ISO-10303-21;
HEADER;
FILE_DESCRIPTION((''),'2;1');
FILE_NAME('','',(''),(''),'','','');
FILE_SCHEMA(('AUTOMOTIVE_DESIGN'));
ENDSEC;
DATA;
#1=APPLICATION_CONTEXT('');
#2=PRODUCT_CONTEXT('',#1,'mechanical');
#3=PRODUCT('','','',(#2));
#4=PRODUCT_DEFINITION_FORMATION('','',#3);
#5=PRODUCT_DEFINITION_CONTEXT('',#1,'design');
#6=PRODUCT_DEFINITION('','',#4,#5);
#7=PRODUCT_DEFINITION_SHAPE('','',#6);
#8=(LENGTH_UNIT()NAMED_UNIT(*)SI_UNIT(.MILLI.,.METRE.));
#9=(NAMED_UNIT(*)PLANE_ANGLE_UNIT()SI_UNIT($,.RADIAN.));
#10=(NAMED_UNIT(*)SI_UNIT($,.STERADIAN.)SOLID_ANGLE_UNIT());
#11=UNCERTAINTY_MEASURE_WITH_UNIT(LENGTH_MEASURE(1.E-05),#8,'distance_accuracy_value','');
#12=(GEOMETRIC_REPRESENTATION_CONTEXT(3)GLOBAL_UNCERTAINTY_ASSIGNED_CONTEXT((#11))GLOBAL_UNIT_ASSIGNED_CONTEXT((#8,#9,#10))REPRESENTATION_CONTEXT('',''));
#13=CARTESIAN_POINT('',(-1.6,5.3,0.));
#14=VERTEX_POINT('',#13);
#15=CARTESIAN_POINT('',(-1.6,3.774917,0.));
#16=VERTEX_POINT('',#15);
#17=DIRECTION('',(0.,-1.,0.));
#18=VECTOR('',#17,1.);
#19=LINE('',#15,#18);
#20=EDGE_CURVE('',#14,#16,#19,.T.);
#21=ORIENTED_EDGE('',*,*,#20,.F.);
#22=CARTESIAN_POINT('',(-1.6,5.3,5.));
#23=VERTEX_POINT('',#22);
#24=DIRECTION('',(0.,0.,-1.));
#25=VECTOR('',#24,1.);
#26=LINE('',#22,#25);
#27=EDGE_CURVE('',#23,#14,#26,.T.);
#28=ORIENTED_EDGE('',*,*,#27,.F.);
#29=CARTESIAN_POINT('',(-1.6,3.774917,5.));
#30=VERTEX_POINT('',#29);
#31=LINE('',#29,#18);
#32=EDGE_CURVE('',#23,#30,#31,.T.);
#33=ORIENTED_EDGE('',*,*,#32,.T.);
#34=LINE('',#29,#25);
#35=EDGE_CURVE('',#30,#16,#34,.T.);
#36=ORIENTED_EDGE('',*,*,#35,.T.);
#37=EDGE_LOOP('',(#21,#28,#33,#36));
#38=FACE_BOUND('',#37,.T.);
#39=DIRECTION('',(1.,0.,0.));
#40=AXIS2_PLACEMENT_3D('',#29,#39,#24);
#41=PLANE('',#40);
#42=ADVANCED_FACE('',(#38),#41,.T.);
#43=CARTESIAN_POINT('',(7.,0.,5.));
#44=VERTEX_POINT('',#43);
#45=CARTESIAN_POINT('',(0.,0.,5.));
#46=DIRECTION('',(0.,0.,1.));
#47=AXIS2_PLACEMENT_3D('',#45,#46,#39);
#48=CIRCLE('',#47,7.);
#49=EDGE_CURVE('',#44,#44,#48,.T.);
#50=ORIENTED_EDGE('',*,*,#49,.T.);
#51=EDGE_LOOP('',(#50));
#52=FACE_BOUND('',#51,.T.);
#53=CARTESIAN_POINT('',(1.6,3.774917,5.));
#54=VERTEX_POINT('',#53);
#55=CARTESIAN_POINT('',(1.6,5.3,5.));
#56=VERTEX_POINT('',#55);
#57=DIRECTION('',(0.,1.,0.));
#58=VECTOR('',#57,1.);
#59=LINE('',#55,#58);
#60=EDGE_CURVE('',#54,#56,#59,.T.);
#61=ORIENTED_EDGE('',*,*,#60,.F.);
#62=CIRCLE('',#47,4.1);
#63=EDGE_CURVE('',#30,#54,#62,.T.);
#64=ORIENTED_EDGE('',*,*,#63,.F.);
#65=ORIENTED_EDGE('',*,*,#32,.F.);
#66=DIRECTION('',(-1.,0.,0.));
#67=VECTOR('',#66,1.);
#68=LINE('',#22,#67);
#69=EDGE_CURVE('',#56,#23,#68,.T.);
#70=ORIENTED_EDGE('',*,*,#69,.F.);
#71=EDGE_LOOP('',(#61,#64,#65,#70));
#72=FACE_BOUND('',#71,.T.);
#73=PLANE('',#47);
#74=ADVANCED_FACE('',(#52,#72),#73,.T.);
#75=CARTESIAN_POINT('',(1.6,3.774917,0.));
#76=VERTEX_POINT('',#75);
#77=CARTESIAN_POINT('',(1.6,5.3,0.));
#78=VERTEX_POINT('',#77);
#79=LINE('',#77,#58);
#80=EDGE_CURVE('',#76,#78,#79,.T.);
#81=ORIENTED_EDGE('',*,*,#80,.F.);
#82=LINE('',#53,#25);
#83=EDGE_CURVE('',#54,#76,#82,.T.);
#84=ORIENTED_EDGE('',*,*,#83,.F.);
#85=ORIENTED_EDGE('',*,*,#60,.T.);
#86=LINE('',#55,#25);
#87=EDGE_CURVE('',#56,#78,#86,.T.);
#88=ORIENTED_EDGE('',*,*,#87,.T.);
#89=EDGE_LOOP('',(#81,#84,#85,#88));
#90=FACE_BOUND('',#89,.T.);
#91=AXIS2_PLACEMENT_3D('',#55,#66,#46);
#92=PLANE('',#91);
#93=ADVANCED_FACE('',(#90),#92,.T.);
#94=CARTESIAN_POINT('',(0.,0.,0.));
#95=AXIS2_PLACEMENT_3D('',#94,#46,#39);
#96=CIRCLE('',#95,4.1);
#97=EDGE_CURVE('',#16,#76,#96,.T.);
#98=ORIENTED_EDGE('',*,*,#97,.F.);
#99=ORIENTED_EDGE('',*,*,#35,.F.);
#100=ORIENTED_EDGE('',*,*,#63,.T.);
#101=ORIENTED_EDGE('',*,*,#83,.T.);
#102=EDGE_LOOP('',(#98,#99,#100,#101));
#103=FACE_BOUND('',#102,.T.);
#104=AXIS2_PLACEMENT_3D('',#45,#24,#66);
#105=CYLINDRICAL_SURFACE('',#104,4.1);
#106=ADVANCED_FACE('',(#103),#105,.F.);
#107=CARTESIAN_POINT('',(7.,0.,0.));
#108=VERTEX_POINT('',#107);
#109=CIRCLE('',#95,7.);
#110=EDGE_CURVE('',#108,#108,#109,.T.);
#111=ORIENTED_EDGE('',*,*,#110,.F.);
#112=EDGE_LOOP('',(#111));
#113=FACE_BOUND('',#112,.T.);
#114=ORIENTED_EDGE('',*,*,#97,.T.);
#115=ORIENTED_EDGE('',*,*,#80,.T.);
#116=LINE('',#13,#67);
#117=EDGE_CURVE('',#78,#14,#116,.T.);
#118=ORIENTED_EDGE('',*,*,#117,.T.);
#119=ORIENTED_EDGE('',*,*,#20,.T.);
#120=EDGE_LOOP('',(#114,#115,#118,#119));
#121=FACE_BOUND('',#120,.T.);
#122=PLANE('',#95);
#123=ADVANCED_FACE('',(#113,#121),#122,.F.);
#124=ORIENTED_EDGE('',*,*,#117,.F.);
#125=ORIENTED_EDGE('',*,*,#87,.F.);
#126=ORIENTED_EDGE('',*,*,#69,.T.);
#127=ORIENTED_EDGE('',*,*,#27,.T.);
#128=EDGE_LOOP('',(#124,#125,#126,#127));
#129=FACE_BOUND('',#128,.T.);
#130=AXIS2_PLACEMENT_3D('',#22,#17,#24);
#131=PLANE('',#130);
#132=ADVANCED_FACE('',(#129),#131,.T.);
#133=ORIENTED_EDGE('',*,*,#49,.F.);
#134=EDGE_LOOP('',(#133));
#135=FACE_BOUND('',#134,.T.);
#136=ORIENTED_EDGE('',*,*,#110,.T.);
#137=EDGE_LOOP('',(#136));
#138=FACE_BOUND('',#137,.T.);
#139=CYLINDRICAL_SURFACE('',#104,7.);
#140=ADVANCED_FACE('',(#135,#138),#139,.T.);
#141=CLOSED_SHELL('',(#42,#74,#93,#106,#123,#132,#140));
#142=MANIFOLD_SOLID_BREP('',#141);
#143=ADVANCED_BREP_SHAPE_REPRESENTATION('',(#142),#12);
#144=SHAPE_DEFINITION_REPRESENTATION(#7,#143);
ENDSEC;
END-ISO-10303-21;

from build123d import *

# Parameters (mm, degrees)
SKETCH1_R           = 7
BOSS_EXTRUDE1_DEPTH = 5


with BuildPart() as part:
    # Sketch1 → Boss-Extrude1 (new body)
    with BuildSketch(Plane.XY):
        Circle(SKETCH1_R)
        with BuildLine():
            Line((-1.6, 3.774917218), (-1.6, 5.3))
            Line((-1.6, 5.3), (1.6, 5.3))
            Line((1.6, 5.3), (1.6, 3.774917218))
            ThreePointArc((1.6, 3.774917218), (0, -4.1), (-1.6, 3.774917218))
        make_face(mode=Mode.SUBTRACT)
    extrude(amount=BOSS_EXTRUDE1_DEPTH)


solid = part.part
